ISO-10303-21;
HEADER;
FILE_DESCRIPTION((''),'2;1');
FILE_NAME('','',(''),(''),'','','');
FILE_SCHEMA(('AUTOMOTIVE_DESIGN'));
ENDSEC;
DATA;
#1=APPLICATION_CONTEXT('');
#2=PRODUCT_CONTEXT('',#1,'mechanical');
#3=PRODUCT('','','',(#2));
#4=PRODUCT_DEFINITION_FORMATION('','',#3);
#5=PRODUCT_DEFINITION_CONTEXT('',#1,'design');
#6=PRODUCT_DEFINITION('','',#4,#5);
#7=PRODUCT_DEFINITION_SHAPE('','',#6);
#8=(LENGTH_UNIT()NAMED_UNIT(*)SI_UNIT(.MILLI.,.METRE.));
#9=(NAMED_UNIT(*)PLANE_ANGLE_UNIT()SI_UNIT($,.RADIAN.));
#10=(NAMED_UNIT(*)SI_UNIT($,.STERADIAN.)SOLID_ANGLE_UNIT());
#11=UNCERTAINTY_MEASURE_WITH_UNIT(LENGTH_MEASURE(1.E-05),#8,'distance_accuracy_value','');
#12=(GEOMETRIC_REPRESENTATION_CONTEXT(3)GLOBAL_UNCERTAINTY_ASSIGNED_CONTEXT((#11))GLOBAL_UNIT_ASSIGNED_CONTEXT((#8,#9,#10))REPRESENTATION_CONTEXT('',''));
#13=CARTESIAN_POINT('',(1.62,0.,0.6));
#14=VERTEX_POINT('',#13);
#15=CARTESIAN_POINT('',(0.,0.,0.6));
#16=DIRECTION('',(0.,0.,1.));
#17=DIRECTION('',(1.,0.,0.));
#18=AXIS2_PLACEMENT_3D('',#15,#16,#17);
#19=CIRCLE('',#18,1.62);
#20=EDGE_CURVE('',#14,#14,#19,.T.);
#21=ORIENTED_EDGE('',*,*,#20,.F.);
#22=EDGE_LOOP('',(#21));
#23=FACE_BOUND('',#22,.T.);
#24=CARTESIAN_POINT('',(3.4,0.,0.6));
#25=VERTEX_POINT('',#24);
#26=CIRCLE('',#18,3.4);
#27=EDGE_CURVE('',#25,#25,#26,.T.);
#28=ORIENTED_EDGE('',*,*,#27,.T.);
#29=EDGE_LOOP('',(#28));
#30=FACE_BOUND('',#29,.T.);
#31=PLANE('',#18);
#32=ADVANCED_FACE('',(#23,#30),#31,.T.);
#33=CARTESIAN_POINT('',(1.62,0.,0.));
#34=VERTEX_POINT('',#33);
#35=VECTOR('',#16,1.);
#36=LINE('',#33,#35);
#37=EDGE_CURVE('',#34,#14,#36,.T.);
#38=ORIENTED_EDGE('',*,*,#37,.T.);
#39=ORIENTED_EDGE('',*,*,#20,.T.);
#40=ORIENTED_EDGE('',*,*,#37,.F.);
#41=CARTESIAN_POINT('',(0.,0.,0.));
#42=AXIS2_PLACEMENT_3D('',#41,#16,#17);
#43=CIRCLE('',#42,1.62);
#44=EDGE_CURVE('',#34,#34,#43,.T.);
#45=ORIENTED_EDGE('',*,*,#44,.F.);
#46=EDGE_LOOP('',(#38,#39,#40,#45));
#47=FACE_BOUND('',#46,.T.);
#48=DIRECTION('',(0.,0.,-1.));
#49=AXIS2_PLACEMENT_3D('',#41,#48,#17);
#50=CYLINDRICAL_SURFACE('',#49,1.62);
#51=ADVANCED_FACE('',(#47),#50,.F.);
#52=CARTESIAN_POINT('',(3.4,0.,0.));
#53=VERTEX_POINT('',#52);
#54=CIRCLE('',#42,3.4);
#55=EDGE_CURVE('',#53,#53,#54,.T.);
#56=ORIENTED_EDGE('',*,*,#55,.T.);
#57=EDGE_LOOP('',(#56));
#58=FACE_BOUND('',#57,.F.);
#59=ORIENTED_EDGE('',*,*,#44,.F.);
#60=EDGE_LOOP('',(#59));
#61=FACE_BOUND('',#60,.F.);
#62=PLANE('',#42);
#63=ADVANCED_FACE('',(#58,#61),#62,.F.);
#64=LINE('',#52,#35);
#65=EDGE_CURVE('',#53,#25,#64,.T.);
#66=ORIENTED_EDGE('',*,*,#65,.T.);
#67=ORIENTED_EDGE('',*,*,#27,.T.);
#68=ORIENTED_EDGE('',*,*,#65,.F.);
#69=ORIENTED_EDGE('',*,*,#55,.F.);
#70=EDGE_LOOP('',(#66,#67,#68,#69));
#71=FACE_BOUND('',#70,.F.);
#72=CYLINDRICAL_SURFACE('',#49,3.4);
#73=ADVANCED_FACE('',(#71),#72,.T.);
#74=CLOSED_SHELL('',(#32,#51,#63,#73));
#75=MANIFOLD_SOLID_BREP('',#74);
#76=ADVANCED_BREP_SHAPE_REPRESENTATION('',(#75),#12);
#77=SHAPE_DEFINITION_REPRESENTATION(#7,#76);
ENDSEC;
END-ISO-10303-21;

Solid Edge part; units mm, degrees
sketch "Sketch1" plane through (0, 0, 0) normal (0, 0, 1) x (1, 0, 0)
  circle A0 centre (0, 0) radius 3.4
  circle A1 centre (0, 0) radius 1.62
  dimension "D1" = 6.8
  dimension "D2" = 3.24
extrude "Protrusion1" add sketch "Sketch1" along normal blind 0.6
properties material "Stainless steel"
